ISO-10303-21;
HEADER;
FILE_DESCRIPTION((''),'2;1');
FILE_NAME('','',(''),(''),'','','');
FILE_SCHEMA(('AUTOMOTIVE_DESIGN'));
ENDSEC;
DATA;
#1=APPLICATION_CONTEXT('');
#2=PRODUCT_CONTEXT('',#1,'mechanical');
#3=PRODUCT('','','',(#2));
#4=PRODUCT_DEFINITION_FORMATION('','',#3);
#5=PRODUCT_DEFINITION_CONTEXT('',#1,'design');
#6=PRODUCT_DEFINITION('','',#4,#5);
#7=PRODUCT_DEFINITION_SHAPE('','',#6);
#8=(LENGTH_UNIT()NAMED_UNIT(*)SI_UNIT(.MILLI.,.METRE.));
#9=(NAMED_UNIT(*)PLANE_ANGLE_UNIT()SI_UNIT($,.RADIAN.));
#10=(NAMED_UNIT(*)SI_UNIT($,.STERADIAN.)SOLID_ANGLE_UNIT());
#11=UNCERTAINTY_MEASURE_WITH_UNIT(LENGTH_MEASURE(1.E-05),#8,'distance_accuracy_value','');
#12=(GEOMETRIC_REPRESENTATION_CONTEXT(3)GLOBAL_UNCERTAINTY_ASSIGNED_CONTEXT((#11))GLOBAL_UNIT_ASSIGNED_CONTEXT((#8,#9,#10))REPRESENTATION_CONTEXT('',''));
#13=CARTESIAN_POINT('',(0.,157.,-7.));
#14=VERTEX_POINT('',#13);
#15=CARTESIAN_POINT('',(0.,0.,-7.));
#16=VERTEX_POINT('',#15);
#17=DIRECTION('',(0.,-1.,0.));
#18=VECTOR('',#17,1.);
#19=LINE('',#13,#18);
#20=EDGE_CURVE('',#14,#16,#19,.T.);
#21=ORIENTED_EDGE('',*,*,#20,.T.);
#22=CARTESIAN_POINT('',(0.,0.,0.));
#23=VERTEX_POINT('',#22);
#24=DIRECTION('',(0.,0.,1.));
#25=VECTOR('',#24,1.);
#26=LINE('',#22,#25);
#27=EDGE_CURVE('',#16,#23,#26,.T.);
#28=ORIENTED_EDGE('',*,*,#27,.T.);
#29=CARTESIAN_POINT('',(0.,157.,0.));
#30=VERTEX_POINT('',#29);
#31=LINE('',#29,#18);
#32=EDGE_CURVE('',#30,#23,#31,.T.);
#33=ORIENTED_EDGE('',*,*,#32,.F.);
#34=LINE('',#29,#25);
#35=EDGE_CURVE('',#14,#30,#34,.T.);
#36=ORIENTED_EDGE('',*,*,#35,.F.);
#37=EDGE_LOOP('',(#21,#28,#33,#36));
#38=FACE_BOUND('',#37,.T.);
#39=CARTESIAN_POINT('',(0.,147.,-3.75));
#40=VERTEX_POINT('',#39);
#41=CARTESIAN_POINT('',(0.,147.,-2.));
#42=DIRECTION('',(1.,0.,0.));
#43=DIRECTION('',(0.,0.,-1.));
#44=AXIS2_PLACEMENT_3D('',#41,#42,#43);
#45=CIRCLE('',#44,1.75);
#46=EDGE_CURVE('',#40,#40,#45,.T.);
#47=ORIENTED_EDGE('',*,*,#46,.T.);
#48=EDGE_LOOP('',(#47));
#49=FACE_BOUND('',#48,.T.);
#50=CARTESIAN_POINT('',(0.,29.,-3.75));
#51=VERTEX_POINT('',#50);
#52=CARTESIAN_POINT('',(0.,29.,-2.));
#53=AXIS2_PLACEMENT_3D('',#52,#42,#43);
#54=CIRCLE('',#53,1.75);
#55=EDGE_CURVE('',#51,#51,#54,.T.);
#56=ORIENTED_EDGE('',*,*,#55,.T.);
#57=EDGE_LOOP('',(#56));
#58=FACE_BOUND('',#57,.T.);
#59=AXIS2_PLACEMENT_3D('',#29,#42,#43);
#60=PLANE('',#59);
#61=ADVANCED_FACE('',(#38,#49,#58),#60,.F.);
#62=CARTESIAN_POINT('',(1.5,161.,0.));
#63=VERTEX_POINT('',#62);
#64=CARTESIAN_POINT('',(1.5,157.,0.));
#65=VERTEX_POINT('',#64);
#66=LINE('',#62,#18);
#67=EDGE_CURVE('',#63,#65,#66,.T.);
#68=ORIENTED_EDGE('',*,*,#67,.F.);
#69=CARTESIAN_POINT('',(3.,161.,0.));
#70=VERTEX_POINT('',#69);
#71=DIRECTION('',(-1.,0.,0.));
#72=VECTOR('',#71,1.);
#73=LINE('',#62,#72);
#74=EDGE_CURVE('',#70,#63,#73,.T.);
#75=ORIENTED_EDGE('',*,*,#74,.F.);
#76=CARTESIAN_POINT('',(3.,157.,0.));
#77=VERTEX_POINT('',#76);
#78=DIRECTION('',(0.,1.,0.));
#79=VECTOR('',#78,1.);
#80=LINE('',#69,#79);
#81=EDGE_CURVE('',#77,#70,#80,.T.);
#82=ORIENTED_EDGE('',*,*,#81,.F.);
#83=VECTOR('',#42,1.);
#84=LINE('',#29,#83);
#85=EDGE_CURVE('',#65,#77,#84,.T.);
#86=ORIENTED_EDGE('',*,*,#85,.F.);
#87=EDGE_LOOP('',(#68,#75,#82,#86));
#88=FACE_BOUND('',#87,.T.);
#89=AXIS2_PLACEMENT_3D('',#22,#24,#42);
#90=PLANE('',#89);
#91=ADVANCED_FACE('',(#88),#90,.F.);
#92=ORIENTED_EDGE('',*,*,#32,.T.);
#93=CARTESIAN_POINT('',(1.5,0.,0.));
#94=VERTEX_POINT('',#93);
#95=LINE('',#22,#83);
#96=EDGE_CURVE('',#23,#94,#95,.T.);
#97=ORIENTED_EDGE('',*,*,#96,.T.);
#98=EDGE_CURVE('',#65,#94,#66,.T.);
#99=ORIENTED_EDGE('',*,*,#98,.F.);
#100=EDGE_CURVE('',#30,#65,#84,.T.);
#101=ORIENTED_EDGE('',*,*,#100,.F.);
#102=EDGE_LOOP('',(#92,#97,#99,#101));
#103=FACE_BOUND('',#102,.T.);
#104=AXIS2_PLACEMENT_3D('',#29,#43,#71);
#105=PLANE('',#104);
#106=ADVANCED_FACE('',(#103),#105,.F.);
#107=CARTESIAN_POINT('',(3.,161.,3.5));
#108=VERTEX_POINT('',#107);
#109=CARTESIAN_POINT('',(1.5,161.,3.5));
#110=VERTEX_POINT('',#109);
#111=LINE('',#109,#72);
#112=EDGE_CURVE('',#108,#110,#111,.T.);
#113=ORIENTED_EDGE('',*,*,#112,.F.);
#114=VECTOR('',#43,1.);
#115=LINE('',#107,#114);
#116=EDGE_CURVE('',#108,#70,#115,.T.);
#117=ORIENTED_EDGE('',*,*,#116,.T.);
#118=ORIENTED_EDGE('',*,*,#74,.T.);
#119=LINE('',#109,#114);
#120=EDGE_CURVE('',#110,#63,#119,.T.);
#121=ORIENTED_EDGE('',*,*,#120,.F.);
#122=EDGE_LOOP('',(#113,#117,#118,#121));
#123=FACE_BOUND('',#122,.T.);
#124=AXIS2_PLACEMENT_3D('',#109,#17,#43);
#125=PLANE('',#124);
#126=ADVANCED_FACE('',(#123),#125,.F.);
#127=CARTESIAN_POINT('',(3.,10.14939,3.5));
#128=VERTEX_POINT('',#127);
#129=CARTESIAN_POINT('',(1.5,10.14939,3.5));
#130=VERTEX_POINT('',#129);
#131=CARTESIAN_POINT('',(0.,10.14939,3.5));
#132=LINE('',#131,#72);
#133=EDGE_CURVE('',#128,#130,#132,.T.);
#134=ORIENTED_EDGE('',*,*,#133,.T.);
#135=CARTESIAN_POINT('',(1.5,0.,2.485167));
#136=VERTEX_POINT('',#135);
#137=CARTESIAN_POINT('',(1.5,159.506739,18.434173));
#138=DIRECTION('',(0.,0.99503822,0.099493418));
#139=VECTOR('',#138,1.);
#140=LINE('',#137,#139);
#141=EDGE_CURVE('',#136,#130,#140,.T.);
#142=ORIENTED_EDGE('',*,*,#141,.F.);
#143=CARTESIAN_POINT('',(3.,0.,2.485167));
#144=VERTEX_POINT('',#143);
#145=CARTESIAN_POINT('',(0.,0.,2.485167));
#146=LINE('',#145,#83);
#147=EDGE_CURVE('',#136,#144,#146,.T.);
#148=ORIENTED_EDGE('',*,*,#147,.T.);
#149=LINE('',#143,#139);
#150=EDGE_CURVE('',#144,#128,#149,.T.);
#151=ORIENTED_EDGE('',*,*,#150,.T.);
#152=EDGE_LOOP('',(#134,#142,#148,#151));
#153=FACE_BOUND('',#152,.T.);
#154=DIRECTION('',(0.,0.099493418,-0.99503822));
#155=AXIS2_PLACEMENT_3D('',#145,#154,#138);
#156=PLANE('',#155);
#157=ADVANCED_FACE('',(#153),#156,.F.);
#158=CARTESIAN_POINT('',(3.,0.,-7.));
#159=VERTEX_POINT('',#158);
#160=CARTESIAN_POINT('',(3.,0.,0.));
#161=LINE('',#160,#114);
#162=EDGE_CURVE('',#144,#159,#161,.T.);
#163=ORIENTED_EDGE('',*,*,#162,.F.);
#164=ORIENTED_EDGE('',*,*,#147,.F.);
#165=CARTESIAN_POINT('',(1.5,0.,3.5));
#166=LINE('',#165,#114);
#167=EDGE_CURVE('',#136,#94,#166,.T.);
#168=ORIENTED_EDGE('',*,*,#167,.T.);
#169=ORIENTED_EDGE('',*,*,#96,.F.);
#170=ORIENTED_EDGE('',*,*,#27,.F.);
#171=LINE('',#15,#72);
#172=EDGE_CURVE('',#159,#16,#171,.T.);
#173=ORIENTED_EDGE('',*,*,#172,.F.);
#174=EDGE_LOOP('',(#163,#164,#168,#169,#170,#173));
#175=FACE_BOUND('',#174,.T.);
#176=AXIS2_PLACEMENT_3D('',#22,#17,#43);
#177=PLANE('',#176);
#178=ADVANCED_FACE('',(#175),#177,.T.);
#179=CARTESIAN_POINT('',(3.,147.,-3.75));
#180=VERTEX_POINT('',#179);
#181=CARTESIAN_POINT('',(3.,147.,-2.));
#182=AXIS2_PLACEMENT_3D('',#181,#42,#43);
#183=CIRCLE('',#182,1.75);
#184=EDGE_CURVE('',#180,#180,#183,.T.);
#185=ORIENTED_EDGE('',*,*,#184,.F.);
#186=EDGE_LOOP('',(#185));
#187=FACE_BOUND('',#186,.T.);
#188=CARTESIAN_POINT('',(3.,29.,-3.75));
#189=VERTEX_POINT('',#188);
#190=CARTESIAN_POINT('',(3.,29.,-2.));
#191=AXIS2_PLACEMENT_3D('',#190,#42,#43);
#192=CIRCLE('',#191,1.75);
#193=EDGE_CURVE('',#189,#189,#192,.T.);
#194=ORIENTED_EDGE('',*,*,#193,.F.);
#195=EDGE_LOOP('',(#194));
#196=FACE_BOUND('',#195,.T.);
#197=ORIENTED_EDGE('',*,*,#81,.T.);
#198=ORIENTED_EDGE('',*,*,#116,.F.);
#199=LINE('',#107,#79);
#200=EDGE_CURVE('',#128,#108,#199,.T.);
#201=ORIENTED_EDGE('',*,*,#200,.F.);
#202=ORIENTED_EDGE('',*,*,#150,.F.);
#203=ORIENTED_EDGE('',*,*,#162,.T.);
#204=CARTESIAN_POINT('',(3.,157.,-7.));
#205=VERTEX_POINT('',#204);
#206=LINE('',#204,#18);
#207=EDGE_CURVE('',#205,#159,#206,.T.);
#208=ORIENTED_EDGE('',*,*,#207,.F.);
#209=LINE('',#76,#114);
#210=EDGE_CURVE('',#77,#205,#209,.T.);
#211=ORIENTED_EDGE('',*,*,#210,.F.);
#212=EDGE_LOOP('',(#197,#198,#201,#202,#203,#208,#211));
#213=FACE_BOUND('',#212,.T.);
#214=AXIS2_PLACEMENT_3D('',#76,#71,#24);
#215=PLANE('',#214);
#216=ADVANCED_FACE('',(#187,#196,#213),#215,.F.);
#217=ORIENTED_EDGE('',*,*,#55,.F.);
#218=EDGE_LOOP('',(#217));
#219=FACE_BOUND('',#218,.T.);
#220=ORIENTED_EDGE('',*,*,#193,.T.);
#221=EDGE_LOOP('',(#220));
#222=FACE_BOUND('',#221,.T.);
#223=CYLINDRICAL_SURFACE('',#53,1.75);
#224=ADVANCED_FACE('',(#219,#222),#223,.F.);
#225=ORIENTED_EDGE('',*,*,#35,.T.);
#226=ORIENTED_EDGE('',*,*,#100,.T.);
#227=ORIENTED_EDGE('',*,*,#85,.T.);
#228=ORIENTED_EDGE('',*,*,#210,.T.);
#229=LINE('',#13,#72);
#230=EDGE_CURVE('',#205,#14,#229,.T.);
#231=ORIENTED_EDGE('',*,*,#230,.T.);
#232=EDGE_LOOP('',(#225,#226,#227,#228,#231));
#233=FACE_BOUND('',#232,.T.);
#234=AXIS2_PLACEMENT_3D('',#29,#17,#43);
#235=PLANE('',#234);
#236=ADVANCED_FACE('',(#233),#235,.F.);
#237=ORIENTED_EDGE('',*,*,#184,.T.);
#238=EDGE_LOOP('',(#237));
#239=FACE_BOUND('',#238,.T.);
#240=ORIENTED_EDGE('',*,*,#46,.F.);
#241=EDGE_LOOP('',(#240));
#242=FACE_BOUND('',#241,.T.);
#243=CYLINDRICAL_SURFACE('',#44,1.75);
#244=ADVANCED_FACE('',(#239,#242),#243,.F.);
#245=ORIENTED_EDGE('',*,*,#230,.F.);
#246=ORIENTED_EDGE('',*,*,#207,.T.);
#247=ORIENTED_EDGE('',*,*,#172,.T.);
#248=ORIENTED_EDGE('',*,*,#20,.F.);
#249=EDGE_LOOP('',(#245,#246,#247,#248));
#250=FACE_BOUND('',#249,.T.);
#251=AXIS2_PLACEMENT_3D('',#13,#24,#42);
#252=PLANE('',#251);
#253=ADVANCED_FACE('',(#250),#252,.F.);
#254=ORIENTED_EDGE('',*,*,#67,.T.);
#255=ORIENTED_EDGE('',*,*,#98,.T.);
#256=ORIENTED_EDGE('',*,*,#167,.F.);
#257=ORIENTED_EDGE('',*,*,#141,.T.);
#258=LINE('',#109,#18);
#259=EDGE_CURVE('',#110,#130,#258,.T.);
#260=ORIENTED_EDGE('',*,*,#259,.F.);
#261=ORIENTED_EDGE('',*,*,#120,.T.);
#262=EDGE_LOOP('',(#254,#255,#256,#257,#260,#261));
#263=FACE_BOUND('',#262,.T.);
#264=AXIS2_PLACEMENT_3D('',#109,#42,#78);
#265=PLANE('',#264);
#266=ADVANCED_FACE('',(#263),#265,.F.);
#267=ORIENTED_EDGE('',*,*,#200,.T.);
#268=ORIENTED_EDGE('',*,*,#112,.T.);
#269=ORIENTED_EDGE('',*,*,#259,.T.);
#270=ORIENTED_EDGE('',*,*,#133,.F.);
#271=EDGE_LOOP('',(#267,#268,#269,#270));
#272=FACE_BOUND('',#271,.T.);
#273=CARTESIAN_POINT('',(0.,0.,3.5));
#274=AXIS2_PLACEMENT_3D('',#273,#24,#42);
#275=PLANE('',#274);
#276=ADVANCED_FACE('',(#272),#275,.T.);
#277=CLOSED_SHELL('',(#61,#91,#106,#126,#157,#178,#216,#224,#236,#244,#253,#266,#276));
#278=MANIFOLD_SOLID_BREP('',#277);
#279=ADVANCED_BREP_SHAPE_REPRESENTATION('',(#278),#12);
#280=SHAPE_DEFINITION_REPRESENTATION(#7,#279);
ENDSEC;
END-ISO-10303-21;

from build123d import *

# Parameters (mm, degrees)
SKETCH1_W           = 3
SKETCH1_H           = 7
BOSS_EXTRUDE1_DEPTH = 157
SKETCH2_W           = 1.5
SKETCH2_H           = 161
BOSS_EXTRUDE2_DEPTH = 3.5
SKETCH3_R           = 1.75
CUT_EXTRUDE1_DEPTH  = 4
CUT_EXTRUDE2_DEPTH  = 4


with BuildPart() as part:
    # Sketch1 → Boss-Extrude1 (new body)
    with BuildSketch(Plane(origin=(0, 0, 0), x_dir=(1, 0, 0), z_dir=(0, 1, 0))):
        with Locations((1.5, 3.5)):
            Rectangle(SKETCH1_W, SKETCH1_H)
    extrude(amount=BOSS_EXTRUDE1_DEPTH)

    # Sketch2 → Boss-Extrude2 (add)
    with BuildSketch(Plane.XY):
        with Locations((2.25, 80.5)):
            Rectangle(SKETCH2_W, SKETCH2_H)
    extrude(amount=BOSS_EXTRUDE2_DEPTH)

    # Sketch3 → Cut-Extrude1 (cut, through all)
    with BuildSketch(Plane(origin=(3, 0, 0), x_dir=(0, 0, -1), z_dir=(1, 0, 0))):
        with Locations((2, 147)):
            Circle(SKETCH3_R)
        with Locations((2, 29)):
            Circle(SKETCH3_R)
    extrude(amount=-CUT_EXTRUDE1_DEPTH, mode=Mode.SUBTRACT)

    # Sketch4 → Cut-Extrude2 (cut, through all)
    with BuildSketch(Plane(origin=(3, 0, 0), x_dir=(0, 0, -1), z_dir=(1, 0, 0))):
        Polygon((-2.485167134, 0), (-3.5, 10.149389846), (-3.5, 0), align=None)
    extrude(amount=-CUT_EXTRUDE2_DEPTH, mode=Mode.SUBTRACT)


solid = part.part
